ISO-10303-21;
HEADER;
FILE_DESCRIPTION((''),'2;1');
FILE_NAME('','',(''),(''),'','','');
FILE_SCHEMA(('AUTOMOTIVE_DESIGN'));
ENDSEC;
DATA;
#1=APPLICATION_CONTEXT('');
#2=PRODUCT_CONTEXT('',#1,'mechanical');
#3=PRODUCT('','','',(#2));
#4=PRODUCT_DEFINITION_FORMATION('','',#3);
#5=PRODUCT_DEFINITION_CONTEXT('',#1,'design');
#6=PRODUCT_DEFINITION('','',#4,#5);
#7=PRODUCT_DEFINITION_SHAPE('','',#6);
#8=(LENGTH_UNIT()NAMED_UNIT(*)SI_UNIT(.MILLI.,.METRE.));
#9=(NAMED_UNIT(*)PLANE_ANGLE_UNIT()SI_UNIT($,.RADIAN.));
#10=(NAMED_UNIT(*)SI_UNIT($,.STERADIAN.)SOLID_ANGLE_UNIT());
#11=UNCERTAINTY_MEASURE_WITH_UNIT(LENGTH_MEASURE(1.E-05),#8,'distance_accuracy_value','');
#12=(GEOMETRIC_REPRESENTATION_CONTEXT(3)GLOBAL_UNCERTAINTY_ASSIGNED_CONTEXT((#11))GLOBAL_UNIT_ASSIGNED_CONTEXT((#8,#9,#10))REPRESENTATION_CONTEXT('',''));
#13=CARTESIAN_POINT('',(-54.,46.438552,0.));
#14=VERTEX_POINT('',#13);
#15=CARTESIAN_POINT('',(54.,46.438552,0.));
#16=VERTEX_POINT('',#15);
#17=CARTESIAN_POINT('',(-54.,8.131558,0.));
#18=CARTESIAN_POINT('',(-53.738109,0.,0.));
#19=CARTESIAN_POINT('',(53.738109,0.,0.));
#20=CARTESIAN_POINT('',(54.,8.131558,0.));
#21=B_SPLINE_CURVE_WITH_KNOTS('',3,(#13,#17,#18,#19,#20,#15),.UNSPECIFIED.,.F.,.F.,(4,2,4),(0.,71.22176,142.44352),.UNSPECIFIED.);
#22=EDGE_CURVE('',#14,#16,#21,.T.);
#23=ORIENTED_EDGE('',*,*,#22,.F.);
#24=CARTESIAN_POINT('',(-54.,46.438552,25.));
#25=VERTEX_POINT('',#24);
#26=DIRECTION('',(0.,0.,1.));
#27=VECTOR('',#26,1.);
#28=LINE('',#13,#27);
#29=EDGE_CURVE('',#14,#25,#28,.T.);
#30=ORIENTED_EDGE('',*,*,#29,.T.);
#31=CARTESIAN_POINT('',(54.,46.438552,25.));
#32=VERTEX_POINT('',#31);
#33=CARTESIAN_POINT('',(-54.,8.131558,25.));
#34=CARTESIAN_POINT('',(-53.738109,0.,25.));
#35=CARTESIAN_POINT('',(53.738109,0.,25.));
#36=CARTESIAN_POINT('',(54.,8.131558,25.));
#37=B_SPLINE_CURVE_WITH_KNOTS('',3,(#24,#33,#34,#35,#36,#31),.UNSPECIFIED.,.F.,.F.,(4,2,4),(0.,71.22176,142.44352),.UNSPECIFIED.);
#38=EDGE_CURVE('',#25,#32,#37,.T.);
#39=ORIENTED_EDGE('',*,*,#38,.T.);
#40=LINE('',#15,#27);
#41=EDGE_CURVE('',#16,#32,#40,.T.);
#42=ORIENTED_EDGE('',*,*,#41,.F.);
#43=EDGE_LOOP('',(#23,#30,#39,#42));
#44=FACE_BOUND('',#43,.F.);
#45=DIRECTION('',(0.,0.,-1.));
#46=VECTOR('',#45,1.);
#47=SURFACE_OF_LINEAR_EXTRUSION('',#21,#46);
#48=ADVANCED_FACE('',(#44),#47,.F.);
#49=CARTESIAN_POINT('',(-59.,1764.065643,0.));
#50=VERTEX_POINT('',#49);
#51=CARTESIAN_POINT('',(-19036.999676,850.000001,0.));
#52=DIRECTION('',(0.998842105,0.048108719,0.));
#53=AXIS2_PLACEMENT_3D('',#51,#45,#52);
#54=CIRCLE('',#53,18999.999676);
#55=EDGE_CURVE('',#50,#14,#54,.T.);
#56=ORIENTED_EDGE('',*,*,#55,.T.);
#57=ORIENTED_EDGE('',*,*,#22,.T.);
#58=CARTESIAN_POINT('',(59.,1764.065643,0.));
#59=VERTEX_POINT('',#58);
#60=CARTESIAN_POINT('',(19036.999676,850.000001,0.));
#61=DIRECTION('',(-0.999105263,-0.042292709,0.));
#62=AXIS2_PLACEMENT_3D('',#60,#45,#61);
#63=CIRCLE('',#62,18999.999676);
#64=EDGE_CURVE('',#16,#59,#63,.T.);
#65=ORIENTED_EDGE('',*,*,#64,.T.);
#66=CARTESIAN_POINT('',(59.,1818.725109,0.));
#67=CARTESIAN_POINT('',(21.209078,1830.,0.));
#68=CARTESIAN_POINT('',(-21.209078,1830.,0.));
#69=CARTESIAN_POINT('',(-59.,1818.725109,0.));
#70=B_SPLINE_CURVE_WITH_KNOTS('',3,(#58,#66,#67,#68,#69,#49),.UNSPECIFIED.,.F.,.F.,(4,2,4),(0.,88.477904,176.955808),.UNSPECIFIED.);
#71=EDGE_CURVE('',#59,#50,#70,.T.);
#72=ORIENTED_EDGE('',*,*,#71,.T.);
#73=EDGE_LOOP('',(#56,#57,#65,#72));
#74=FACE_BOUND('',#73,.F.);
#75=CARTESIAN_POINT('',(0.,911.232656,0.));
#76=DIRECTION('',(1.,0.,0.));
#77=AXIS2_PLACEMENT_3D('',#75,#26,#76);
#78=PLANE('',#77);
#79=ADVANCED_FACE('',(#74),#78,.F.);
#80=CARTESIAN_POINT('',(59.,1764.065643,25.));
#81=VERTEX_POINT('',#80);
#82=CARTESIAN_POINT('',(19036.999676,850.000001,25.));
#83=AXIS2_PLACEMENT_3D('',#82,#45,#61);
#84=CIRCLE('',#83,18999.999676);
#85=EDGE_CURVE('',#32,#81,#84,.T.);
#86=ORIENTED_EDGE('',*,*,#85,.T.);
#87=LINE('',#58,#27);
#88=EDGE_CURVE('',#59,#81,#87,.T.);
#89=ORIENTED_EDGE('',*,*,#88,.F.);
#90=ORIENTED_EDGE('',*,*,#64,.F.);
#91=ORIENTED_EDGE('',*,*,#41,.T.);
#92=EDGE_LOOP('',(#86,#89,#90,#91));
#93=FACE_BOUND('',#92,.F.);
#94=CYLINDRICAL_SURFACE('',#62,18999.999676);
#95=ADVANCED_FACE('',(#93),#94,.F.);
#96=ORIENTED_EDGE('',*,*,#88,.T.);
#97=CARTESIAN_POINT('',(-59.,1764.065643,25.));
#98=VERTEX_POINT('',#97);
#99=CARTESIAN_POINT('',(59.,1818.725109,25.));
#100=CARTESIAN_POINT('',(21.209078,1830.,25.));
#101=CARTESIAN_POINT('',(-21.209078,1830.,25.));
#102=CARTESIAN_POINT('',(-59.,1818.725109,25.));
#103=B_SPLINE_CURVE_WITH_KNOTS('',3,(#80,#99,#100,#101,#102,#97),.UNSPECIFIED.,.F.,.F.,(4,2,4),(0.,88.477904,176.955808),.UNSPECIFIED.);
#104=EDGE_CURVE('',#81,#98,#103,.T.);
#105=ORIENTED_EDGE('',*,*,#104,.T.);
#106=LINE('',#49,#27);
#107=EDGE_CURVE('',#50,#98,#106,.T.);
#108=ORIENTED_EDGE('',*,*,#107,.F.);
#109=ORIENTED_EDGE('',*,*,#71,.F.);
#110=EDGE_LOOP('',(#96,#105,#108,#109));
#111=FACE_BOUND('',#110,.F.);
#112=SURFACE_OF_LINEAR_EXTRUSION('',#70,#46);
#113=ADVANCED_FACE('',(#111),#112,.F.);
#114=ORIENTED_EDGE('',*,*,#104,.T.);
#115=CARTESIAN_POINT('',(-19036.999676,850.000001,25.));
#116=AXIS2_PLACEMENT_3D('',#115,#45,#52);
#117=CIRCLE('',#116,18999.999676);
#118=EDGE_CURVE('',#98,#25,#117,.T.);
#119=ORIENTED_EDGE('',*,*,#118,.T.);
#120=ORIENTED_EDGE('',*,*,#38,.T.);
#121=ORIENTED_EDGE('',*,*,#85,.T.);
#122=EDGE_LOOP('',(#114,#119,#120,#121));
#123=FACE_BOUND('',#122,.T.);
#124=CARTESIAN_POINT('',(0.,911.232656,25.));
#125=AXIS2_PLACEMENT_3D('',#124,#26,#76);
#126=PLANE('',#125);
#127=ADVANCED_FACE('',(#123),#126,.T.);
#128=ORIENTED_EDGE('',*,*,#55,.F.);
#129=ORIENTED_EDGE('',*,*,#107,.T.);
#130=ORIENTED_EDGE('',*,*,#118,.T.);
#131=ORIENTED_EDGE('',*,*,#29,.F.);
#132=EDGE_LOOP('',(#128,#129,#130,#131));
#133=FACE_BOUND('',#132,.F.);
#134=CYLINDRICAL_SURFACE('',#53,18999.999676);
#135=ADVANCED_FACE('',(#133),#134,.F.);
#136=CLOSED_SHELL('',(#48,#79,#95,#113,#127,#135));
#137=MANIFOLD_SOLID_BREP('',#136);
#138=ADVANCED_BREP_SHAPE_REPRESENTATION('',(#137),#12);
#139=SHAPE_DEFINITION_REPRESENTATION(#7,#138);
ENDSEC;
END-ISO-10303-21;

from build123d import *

# Parameters (mm, degrees)
F1_DEPTH = 25


with BuildPart() as f1:
    # F0 (on Top) → F1 (new body)
    with BuildSketch(Plane.XY):
        with BuildLine():
            ThreePointArc((54, 46.438552), (37.080501, 905.308628), (59, 1764.065643))
            add(Edge.make_bspline(
                [(59, 1764.065643), (59, 1818.725109), (21.209078, 1830), (0, 1830)],
                knots=[0, 0, 0, 0, 88.477904, 88.477904, 88.477904, 88.477904], degree=3))
            add(Edge.make_bspline(
                [(-59, 1764.065643), (-59, 1818.725109), (-21.209078, 1830), (0, 1830)],
                knots=[0, 0, 0, 0, 88.477904, 88.477904, 88.477904, 88.477904], degree=3))
            ThreePointArc((-59, 1764.065643), (-37.080501, 905.308628), (-54, 46.438552))
            add(Edge.make_bspline(
                [(-54, 46.438552), (-54, 8.131558), (-53.738109, 0), (0, 0)],
                knots=[0, 0, 0, 0, 71.22176, 71.22176, 71.22176, 71.22176], degree=3))
            add(Edge.make_bspline(
                [(54, 46.438552), (54, 8.131558), (53.738109, 0), (0, 0)],
                knots=[0, 0, 0, 0, 71.22176, 71.22176, 71.22176, 71.22176], degree=3))
        make_face()
    extrude(amount=F1_DEPTH)


solid = f1.part
